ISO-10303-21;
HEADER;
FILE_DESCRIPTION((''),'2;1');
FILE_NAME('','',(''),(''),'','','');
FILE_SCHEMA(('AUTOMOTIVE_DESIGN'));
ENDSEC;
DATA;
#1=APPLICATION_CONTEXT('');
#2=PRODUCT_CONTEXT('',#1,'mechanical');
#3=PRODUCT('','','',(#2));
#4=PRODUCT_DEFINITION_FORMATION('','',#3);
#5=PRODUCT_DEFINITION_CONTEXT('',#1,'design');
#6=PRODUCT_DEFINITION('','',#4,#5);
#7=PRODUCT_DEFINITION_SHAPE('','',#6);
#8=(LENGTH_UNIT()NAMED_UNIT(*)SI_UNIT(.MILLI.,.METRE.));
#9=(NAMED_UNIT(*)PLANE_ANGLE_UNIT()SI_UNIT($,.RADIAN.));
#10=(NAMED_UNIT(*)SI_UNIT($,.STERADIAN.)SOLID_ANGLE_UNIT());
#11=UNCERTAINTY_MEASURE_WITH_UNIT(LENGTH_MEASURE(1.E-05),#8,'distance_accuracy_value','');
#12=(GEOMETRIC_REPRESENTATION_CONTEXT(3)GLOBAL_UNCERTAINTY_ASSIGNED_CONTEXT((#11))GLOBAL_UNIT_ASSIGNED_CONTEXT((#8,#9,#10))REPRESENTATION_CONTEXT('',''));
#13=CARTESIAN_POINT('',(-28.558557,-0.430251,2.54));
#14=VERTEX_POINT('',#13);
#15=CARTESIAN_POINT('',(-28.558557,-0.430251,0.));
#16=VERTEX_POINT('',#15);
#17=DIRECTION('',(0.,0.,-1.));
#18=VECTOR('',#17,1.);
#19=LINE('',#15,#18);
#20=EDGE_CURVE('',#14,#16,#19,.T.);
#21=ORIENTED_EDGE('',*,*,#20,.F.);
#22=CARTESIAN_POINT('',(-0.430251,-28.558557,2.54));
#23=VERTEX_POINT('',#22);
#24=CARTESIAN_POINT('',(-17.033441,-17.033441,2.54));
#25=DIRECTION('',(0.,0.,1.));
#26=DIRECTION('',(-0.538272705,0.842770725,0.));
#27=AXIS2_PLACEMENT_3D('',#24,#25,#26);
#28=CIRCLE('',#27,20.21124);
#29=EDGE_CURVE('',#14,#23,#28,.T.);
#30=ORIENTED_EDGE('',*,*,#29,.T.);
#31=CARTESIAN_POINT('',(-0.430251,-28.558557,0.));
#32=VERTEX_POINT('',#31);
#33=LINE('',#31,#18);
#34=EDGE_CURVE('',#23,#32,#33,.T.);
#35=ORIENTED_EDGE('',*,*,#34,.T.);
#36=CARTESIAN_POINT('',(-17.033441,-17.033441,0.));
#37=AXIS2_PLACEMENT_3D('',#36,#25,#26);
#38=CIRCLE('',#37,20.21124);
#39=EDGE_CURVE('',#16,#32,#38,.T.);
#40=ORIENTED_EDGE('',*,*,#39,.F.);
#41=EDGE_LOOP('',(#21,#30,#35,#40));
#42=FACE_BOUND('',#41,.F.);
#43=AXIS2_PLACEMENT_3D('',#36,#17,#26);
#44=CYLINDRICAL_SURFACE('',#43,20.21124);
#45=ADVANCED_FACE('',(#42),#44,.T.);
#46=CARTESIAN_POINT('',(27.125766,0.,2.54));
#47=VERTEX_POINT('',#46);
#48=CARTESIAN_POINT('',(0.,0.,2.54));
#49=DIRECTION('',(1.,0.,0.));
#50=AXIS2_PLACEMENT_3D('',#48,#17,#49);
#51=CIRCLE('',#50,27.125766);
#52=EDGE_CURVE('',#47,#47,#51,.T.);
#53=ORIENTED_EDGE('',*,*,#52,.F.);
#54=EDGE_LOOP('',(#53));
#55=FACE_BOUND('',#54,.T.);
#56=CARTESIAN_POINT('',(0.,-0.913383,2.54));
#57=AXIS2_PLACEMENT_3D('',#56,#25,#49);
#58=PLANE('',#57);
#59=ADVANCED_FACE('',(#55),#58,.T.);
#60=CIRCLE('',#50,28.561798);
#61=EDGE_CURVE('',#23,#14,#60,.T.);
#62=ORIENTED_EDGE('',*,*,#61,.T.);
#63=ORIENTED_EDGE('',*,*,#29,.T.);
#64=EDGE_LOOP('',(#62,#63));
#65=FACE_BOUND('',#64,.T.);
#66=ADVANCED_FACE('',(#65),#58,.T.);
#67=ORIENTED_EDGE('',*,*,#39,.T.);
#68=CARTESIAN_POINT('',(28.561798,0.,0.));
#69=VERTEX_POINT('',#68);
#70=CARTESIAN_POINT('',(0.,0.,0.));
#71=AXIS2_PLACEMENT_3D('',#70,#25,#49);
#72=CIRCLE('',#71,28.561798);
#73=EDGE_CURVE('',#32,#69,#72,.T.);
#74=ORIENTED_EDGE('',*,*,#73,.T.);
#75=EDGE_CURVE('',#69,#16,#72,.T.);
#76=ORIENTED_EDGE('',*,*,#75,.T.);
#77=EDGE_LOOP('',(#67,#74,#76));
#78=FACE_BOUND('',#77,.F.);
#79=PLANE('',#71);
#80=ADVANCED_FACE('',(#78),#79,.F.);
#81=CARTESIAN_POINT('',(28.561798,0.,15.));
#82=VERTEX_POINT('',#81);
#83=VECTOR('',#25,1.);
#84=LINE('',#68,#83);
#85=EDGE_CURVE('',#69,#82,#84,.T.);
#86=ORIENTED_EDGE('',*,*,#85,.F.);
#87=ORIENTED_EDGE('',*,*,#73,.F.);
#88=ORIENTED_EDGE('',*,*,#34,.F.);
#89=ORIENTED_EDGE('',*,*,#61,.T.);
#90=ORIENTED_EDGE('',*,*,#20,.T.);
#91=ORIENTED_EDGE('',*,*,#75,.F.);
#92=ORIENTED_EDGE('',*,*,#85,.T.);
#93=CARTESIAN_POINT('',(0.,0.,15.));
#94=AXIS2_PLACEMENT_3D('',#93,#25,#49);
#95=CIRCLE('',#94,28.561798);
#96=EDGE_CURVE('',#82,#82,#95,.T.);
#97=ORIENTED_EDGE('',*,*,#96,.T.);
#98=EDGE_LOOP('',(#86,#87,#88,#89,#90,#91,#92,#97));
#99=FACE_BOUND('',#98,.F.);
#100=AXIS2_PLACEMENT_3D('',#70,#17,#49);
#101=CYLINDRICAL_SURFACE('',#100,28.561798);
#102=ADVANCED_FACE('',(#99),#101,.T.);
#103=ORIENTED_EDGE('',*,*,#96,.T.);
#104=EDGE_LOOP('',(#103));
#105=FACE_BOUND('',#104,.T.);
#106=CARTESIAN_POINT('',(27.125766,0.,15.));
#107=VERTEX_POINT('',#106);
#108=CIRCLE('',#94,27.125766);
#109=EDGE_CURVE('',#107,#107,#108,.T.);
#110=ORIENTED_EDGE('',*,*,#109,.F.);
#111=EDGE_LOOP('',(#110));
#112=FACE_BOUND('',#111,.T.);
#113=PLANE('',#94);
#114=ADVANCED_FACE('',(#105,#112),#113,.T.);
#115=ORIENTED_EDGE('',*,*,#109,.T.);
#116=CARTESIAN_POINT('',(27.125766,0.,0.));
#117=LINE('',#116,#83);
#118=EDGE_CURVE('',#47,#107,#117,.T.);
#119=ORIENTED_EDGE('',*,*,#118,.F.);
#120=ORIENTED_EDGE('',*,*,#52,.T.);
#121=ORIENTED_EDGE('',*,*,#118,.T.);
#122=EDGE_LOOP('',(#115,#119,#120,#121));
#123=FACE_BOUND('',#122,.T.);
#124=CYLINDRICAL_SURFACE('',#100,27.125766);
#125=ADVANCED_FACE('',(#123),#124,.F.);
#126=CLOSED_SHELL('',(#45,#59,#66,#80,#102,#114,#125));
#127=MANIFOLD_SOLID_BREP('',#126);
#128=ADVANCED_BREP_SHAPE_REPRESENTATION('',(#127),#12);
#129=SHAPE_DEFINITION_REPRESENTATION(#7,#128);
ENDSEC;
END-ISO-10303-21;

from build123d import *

# Parameters (mm, degrees)
F0_R     = 28.561798
F0_R_2   = 27.125766
F1_DEPTH = 15
F3_DEPTH = 2.54


with BuildPart() as f1:
    # F0 (on Top) → F1 (new body)
    with BuildSketch(Plane.XY):
        Circle(F0_R)
        Circle(F0_R_2, mode=Mode.SUBTRACT)
    extrude(amount=F1_DEPTH)

    # F2 (on Top) → F3 (join)
    with BuildSketch(Plane.XY):
        with BuildLine():
            ThreePointArc((0, -27.9126), (19.737189, -19.737189), (27.9126, 0))
            ThreePointArc((27.9126, 0), (0, 27.9126), (-27.9126, 0))
            ThreePointArc((-27.9126, 0), (-19.737189, -19.737189), (0, -27.9126))
        make_face()
        with BuildLine():
            ThreePointArc((0, -27.9126), (-19.737189, -19.737189), (-27.9126, 0))
            ThreePointArc((-27.9126, 0), (-31.324946, -31.324946), (0, -27.9126))
        make_face()
    extrude(amount=F3_DEPTH)


solid = f1.part
